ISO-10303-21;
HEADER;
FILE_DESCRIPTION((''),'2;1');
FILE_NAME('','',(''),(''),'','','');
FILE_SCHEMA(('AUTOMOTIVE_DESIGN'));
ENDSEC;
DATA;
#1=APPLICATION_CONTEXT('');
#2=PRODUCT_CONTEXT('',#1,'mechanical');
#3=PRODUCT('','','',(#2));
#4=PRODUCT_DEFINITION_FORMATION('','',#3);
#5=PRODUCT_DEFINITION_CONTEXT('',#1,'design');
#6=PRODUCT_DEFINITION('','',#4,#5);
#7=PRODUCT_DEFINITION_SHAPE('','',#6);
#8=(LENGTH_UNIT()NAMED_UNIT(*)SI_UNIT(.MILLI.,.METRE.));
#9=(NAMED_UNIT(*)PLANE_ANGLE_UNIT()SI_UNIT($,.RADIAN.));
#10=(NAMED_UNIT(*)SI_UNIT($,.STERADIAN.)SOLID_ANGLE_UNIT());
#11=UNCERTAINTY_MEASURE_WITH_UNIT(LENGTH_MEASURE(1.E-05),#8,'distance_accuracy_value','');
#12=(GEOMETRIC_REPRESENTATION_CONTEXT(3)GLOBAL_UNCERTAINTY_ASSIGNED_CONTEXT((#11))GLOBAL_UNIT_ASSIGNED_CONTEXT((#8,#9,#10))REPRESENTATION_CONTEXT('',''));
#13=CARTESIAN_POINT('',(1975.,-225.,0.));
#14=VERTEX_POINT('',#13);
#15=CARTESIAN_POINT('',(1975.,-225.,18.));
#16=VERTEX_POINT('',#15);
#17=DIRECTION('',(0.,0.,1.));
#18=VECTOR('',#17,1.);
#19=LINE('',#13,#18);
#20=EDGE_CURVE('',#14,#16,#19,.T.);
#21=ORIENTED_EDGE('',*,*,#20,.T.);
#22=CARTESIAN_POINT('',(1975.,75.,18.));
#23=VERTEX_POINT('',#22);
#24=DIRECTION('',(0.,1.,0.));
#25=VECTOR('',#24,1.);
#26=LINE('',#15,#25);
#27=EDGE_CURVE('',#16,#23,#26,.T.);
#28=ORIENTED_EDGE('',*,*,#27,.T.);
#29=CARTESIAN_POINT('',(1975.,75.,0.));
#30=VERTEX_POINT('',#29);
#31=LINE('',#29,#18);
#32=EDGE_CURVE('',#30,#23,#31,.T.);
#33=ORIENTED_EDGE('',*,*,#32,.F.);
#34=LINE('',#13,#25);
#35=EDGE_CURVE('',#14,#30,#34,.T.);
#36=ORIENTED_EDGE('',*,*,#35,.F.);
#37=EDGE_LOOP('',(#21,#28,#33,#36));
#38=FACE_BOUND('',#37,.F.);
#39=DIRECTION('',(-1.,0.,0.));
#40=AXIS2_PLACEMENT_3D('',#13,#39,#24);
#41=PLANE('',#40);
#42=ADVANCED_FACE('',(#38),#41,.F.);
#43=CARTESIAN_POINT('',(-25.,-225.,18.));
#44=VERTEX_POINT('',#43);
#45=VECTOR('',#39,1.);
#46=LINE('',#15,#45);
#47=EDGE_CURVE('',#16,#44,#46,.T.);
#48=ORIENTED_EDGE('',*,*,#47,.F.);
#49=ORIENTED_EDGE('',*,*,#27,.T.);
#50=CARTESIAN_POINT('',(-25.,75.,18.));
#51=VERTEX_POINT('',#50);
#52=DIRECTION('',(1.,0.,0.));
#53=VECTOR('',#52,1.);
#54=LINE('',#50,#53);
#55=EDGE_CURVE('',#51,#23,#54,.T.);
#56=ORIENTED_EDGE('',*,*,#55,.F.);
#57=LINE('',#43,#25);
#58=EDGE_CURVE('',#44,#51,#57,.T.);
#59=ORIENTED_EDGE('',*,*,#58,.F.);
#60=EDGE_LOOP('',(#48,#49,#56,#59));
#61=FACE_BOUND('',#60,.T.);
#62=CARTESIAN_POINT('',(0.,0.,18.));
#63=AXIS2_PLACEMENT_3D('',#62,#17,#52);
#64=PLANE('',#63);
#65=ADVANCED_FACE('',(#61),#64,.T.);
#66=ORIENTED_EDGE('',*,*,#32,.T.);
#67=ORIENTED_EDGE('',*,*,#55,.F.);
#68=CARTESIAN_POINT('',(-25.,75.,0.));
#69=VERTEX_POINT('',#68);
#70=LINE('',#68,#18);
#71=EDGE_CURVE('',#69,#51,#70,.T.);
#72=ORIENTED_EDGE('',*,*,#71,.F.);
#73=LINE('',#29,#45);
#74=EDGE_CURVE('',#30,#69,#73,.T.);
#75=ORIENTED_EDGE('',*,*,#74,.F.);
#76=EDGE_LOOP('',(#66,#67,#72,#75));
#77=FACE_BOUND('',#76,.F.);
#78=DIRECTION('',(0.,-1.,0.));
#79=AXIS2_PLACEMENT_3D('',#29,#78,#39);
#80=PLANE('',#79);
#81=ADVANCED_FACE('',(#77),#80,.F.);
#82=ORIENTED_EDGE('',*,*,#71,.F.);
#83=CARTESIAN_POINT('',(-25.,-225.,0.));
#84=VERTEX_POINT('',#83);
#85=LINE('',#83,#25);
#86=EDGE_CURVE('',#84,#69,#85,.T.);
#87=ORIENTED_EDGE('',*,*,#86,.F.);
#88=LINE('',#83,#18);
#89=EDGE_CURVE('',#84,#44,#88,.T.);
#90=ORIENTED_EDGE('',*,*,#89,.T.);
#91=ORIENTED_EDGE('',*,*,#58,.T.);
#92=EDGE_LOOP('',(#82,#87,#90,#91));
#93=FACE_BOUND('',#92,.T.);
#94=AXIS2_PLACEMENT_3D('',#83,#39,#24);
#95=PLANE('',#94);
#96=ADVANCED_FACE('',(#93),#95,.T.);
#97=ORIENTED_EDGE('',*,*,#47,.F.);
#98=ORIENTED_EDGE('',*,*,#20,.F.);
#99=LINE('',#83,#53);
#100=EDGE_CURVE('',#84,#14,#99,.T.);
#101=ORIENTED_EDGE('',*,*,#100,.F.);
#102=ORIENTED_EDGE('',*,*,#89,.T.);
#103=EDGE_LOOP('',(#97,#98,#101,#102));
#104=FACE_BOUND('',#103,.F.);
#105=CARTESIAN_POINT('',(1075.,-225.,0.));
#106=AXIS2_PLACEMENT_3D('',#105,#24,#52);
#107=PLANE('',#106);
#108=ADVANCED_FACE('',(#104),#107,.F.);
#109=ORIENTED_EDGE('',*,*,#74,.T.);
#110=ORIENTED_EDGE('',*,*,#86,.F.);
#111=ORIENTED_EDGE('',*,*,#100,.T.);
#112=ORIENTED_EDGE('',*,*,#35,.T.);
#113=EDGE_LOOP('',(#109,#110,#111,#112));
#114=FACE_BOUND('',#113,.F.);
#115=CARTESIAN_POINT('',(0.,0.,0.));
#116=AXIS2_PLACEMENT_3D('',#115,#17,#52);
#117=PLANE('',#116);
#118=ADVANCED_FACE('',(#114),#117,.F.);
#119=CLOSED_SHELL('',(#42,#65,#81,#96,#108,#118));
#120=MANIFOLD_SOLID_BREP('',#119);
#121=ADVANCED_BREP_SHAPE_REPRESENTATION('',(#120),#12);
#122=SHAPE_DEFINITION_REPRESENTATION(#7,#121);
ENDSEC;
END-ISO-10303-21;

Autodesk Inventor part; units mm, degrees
ref_plane "YZ Plane" through (0, 0, 0) normal (1, 0, 0) x (0, 1, 0)
ref_plane "XZ Plane" through (0, 0, 0) normal (0, 1, 0) x (-1, 0, 0)
ref_plane "XY Plane" through (0, 0, 0) normal (0, 0, 1) x (1, 0, 0)
sketch "Sketch1" plane through (0, 0, 0) normal (0, 0, 1) x (1, 0, 0)
  line L0 (1975, 75) -> (1075, 75) projected
  line L1 (1075, 75) -> (1075, -225) projected
  line L2 (1075, -225) -> (1975, -225) projected
  line L3 (1975, -225) -> (1975, 75) projected
  line L4 (1975, -225) -> (-25, -225)
  line L5 (-25, -225) -> (-25, 75)
  line L6 (-25, 75) -> (1975, 75)
  line L7 (1975, 75) -> (1975, -225)
  point P0 (0, 0)
  dimension "d0" = 25
extrude "Extrusion1" add sketch "Sketch1" along normal blind 18
properties part number "estante02" material "Wood (Birch)"
